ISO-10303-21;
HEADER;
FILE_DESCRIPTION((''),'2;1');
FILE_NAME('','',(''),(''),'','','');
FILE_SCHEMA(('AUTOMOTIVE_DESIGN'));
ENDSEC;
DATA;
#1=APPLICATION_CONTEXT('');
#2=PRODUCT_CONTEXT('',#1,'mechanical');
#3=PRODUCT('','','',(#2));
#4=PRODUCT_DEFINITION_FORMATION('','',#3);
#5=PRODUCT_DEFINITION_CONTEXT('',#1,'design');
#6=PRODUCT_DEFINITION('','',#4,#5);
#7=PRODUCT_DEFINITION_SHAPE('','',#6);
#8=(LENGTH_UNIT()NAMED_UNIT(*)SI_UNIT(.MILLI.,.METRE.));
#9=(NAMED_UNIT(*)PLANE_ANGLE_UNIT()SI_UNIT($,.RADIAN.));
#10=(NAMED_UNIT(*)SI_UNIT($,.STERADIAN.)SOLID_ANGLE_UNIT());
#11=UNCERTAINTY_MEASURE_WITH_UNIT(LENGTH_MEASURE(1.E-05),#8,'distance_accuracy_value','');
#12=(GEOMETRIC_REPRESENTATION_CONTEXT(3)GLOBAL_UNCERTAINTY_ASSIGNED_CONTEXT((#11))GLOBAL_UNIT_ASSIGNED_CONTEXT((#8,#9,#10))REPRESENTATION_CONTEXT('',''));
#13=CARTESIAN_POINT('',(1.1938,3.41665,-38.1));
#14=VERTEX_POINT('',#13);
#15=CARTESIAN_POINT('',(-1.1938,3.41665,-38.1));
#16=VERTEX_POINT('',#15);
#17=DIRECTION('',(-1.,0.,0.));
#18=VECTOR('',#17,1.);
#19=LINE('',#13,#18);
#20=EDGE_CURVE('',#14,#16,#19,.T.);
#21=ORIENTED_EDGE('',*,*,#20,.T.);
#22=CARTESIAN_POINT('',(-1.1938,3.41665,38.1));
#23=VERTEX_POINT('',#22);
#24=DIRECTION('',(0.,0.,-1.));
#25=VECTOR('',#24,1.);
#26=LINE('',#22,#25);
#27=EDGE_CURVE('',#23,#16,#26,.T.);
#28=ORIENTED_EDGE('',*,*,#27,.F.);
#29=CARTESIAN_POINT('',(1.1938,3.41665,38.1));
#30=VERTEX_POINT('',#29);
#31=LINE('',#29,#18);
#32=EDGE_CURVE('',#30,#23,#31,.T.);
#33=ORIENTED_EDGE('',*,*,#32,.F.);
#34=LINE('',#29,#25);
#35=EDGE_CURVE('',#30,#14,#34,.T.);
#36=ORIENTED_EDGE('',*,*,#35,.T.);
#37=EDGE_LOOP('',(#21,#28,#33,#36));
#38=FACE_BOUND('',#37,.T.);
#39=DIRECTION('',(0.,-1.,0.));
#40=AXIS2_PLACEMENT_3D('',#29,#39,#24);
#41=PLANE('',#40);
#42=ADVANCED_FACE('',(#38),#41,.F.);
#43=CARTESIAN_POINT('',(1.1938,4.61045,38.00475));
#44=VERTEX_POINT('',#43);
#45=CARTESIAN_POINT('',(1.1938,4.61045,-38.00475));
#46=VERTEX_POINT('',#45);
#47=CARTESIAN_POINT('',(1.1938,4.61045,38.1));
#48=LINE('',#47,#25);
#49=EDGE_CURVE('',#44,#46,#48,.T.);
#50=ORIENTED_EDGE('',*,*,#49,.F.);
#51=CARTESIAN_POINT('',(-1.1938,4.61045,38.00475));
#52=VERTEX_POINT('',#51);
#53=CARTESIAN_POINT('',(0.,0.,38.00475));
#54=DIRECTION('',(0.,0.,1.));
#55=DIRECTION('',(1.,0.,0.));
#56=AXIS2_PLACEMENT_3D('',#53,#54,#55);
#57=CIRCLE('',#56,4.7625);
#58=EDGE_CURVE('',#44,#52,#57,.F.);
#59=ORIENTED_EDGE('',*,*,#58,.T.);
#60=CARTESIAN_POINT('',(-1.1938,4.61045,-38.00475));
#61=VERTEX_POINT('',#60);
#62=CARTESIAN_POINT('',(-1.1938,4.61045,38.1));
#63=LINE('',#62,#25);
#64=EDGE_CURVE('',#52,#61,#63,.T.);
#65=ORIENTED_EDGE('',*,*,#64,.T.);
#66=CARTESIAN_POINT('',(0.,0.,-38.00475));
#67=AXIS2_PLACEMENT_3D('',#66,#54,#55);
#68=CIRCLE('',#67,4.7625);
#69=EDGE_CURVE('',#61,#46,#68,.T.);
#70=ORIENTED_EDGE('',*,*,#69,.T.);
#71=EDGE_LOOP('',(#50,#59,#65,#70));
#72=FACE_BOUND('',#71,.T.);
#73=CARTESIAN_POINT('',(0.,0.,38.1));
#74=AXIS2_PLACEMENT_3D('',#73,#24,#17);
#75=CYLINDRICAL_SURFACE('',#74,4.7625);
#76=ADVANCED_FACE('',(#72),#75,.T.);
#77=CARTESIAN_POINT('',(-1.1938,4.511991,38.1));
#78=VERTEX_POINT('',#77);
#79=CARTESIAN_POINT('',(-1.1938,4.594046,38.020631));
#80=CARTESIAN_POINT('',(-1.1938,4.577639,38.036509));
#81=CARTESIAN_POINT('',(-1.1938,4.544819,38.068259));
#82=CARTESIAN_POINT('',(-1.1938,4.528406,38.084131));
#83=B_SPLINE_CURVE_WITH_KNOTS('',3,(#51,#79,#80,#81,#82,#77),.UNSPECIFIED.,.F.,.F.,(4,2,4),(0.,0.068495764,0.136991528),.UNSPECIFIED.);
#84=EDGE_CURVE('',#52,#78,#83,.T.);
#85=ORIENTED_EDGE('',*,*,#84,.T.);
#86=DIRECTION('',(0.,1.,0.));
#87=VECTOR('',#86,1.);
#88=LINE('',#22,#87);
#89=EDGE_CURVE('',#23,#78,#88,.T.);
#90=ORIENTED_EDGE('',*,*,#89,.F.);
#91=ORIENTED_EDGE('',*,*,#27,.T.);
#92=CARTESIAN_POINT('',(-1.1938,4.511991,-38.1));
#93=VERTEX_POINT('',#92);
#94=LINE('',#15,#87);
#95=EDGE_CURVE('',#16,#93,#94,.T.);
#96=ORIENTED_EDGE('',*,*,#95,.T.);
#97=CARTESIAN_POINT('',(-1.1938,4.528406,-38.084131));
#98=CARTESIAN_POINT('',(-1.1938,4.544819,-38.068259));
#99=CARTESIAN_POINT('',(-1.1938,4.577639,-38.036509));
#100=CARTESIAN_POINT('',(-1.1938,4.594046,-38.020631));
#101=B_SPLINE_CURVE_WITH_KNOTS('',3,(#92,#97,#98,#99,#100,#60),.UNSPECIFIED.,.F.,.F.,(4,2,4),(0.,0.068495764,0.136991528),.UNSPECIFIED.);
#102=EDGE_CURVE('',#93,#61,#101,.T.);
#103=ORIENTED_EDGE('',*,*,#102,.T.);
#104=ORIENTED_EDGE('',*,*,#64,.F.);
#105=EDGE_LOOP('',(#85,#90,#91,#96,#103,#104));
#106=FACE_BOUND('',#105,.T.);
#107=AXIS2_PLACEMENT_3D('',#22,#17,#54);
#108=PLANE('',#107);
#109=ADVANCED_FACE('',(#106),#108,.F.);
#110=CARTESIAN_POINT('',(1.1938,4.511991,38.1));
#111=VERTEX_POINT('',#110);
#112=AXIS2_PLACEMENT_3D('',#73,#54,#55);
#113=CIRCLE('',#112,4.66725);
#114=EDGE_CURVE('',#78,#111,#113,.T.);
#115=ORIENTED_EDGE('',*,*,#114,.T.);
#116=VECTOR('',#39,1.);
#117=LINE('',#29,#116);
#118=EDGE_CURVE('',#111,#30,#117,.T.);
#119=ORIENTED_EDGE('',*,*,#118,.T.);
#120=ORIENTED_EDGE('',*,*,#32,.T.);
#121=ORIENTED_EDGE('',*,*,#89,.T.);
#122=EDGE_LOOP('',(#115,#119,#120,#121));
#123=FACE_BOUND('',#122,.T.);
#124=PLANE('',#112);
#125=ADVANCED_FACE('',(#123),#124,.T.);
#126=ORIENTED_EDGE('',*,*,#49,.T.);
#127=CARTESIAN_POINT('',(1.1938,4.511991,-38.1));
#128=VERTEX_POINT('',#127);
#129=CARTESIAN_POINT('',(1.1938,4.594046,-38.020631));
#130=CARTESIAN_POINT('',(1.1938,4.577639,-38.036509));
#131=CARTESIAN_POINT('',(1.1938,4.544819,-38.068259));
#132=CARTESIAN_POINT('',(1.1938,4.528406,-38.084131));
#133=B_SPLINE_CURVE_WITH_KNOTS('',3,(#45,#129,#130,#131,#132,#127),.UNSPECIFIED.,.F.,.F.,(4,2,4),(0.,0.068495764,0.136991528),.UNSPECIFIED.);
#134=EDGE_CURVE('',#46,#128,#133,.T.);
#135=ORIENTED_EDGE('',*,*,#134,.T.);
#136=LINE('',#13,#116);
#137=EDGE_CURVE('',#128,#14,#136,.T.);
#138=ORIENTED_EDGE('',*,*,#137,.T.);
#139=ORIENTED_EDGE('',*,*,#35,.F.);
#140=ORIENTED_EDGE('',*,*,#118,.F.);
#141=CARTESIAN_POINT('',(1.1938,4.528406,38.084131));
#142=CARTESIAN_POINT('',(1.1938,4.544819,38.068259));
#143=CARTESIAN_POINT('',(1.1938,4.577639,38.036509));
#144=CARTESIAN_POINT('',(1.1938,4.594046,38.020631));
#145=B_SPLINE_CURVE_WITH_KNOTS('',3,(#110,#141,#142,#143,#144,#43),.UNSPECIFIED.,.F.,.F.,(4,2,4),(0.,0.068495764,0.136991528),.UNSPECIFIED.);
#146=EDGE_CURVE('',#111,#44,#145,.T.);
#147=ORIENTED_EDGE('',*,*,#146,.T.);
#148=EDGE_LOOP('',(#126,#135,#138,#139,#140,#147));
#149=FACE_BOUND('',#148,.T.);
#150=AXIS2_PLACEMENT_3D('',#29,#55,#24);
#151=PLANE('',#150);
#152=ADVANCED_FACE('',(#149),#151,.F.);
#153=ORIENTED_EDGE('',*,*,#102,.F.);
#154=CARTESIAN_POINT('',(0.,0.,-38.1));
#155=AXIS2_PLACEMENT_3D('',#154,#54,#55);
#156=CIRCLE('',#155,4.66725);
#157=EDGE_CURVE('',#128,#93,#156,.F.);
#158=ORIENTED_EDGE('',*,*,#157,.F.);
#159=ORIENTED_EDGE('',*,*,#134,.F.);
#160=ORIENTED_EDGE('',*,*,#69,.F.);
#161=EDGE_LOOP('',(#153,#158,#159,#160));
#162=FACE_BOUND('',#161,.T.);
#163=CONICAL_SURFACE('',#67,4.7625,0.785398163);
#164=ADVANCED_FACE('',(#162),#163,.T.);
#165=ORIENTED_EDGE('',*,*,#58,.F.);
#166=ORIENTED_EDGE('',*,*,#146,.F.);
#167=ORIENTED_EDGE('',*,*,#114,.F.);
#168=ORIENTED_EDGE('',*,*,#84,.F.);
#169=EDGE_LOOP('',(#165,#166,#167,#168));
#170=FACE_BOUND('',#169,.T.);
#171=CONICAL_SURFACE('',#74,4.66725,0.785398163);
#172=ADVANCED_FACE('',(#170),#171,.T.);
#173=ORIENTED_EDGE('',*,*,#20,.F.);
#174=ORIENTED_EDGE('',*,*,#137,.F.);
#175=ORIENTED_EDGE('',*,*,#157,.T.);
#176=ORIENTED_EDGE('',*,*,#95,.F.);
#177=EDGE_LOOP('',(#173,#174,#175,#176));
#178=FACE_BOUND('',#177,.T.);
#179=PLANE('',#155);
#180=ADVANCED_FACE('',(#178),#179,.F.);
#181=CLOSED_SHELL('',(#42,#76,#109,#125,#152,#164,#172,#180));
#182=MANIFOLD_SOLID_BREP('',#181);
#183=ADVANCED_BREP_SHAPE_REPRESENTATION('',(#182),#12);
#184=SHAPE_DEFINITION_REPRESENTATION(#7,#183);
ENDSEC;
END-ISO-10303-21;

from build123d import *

# Parameters (mm, degrees)
BOSS_EXTRUDE1_DEPTH      = 38.1
BOSS_EXTRUDE1_DEPTH_BACK = 38.1
CHAMFER1_SIZE            = 0.09525


with BuildPart() as part:
    # Sketch3 → Boss-Extrude1 (new body, two sides)
    with BuildSketch(Plane.XY) as boss_extrude1_sk:
        with BuildLine():
            Line((-1.1938, 3.416649849), (-1.1938, 4.610449849))
            ThreePointArc((-1.1938, 4.610449849), (0, -4.7625), (1.1938, 4.610449849))
            Line((1.1938, 4.610449849), (1.1938, 3.416649849))
            Line((1.1938, 3.416649849), (-1.1938, 3.416649849))
        make_face()
    extrude(amount=BOSS_EXTRUDE1_DEPTH)
    extrude(boss_extrude1_sk.sketch, amount=-BOSS_EXTRUDE1_DEPTH_BACK)

    # Chamfer1
    chamfer1_edges = [part.edges().sort_by_distance(p)[0] for p in [
        (0, -4.7625, -38.1),
        (0, -4.7625, 38.1),
    ]]
    chamfer(chamfer1_edges, length=CHAMFER1_SIZE)


solid = part.part
